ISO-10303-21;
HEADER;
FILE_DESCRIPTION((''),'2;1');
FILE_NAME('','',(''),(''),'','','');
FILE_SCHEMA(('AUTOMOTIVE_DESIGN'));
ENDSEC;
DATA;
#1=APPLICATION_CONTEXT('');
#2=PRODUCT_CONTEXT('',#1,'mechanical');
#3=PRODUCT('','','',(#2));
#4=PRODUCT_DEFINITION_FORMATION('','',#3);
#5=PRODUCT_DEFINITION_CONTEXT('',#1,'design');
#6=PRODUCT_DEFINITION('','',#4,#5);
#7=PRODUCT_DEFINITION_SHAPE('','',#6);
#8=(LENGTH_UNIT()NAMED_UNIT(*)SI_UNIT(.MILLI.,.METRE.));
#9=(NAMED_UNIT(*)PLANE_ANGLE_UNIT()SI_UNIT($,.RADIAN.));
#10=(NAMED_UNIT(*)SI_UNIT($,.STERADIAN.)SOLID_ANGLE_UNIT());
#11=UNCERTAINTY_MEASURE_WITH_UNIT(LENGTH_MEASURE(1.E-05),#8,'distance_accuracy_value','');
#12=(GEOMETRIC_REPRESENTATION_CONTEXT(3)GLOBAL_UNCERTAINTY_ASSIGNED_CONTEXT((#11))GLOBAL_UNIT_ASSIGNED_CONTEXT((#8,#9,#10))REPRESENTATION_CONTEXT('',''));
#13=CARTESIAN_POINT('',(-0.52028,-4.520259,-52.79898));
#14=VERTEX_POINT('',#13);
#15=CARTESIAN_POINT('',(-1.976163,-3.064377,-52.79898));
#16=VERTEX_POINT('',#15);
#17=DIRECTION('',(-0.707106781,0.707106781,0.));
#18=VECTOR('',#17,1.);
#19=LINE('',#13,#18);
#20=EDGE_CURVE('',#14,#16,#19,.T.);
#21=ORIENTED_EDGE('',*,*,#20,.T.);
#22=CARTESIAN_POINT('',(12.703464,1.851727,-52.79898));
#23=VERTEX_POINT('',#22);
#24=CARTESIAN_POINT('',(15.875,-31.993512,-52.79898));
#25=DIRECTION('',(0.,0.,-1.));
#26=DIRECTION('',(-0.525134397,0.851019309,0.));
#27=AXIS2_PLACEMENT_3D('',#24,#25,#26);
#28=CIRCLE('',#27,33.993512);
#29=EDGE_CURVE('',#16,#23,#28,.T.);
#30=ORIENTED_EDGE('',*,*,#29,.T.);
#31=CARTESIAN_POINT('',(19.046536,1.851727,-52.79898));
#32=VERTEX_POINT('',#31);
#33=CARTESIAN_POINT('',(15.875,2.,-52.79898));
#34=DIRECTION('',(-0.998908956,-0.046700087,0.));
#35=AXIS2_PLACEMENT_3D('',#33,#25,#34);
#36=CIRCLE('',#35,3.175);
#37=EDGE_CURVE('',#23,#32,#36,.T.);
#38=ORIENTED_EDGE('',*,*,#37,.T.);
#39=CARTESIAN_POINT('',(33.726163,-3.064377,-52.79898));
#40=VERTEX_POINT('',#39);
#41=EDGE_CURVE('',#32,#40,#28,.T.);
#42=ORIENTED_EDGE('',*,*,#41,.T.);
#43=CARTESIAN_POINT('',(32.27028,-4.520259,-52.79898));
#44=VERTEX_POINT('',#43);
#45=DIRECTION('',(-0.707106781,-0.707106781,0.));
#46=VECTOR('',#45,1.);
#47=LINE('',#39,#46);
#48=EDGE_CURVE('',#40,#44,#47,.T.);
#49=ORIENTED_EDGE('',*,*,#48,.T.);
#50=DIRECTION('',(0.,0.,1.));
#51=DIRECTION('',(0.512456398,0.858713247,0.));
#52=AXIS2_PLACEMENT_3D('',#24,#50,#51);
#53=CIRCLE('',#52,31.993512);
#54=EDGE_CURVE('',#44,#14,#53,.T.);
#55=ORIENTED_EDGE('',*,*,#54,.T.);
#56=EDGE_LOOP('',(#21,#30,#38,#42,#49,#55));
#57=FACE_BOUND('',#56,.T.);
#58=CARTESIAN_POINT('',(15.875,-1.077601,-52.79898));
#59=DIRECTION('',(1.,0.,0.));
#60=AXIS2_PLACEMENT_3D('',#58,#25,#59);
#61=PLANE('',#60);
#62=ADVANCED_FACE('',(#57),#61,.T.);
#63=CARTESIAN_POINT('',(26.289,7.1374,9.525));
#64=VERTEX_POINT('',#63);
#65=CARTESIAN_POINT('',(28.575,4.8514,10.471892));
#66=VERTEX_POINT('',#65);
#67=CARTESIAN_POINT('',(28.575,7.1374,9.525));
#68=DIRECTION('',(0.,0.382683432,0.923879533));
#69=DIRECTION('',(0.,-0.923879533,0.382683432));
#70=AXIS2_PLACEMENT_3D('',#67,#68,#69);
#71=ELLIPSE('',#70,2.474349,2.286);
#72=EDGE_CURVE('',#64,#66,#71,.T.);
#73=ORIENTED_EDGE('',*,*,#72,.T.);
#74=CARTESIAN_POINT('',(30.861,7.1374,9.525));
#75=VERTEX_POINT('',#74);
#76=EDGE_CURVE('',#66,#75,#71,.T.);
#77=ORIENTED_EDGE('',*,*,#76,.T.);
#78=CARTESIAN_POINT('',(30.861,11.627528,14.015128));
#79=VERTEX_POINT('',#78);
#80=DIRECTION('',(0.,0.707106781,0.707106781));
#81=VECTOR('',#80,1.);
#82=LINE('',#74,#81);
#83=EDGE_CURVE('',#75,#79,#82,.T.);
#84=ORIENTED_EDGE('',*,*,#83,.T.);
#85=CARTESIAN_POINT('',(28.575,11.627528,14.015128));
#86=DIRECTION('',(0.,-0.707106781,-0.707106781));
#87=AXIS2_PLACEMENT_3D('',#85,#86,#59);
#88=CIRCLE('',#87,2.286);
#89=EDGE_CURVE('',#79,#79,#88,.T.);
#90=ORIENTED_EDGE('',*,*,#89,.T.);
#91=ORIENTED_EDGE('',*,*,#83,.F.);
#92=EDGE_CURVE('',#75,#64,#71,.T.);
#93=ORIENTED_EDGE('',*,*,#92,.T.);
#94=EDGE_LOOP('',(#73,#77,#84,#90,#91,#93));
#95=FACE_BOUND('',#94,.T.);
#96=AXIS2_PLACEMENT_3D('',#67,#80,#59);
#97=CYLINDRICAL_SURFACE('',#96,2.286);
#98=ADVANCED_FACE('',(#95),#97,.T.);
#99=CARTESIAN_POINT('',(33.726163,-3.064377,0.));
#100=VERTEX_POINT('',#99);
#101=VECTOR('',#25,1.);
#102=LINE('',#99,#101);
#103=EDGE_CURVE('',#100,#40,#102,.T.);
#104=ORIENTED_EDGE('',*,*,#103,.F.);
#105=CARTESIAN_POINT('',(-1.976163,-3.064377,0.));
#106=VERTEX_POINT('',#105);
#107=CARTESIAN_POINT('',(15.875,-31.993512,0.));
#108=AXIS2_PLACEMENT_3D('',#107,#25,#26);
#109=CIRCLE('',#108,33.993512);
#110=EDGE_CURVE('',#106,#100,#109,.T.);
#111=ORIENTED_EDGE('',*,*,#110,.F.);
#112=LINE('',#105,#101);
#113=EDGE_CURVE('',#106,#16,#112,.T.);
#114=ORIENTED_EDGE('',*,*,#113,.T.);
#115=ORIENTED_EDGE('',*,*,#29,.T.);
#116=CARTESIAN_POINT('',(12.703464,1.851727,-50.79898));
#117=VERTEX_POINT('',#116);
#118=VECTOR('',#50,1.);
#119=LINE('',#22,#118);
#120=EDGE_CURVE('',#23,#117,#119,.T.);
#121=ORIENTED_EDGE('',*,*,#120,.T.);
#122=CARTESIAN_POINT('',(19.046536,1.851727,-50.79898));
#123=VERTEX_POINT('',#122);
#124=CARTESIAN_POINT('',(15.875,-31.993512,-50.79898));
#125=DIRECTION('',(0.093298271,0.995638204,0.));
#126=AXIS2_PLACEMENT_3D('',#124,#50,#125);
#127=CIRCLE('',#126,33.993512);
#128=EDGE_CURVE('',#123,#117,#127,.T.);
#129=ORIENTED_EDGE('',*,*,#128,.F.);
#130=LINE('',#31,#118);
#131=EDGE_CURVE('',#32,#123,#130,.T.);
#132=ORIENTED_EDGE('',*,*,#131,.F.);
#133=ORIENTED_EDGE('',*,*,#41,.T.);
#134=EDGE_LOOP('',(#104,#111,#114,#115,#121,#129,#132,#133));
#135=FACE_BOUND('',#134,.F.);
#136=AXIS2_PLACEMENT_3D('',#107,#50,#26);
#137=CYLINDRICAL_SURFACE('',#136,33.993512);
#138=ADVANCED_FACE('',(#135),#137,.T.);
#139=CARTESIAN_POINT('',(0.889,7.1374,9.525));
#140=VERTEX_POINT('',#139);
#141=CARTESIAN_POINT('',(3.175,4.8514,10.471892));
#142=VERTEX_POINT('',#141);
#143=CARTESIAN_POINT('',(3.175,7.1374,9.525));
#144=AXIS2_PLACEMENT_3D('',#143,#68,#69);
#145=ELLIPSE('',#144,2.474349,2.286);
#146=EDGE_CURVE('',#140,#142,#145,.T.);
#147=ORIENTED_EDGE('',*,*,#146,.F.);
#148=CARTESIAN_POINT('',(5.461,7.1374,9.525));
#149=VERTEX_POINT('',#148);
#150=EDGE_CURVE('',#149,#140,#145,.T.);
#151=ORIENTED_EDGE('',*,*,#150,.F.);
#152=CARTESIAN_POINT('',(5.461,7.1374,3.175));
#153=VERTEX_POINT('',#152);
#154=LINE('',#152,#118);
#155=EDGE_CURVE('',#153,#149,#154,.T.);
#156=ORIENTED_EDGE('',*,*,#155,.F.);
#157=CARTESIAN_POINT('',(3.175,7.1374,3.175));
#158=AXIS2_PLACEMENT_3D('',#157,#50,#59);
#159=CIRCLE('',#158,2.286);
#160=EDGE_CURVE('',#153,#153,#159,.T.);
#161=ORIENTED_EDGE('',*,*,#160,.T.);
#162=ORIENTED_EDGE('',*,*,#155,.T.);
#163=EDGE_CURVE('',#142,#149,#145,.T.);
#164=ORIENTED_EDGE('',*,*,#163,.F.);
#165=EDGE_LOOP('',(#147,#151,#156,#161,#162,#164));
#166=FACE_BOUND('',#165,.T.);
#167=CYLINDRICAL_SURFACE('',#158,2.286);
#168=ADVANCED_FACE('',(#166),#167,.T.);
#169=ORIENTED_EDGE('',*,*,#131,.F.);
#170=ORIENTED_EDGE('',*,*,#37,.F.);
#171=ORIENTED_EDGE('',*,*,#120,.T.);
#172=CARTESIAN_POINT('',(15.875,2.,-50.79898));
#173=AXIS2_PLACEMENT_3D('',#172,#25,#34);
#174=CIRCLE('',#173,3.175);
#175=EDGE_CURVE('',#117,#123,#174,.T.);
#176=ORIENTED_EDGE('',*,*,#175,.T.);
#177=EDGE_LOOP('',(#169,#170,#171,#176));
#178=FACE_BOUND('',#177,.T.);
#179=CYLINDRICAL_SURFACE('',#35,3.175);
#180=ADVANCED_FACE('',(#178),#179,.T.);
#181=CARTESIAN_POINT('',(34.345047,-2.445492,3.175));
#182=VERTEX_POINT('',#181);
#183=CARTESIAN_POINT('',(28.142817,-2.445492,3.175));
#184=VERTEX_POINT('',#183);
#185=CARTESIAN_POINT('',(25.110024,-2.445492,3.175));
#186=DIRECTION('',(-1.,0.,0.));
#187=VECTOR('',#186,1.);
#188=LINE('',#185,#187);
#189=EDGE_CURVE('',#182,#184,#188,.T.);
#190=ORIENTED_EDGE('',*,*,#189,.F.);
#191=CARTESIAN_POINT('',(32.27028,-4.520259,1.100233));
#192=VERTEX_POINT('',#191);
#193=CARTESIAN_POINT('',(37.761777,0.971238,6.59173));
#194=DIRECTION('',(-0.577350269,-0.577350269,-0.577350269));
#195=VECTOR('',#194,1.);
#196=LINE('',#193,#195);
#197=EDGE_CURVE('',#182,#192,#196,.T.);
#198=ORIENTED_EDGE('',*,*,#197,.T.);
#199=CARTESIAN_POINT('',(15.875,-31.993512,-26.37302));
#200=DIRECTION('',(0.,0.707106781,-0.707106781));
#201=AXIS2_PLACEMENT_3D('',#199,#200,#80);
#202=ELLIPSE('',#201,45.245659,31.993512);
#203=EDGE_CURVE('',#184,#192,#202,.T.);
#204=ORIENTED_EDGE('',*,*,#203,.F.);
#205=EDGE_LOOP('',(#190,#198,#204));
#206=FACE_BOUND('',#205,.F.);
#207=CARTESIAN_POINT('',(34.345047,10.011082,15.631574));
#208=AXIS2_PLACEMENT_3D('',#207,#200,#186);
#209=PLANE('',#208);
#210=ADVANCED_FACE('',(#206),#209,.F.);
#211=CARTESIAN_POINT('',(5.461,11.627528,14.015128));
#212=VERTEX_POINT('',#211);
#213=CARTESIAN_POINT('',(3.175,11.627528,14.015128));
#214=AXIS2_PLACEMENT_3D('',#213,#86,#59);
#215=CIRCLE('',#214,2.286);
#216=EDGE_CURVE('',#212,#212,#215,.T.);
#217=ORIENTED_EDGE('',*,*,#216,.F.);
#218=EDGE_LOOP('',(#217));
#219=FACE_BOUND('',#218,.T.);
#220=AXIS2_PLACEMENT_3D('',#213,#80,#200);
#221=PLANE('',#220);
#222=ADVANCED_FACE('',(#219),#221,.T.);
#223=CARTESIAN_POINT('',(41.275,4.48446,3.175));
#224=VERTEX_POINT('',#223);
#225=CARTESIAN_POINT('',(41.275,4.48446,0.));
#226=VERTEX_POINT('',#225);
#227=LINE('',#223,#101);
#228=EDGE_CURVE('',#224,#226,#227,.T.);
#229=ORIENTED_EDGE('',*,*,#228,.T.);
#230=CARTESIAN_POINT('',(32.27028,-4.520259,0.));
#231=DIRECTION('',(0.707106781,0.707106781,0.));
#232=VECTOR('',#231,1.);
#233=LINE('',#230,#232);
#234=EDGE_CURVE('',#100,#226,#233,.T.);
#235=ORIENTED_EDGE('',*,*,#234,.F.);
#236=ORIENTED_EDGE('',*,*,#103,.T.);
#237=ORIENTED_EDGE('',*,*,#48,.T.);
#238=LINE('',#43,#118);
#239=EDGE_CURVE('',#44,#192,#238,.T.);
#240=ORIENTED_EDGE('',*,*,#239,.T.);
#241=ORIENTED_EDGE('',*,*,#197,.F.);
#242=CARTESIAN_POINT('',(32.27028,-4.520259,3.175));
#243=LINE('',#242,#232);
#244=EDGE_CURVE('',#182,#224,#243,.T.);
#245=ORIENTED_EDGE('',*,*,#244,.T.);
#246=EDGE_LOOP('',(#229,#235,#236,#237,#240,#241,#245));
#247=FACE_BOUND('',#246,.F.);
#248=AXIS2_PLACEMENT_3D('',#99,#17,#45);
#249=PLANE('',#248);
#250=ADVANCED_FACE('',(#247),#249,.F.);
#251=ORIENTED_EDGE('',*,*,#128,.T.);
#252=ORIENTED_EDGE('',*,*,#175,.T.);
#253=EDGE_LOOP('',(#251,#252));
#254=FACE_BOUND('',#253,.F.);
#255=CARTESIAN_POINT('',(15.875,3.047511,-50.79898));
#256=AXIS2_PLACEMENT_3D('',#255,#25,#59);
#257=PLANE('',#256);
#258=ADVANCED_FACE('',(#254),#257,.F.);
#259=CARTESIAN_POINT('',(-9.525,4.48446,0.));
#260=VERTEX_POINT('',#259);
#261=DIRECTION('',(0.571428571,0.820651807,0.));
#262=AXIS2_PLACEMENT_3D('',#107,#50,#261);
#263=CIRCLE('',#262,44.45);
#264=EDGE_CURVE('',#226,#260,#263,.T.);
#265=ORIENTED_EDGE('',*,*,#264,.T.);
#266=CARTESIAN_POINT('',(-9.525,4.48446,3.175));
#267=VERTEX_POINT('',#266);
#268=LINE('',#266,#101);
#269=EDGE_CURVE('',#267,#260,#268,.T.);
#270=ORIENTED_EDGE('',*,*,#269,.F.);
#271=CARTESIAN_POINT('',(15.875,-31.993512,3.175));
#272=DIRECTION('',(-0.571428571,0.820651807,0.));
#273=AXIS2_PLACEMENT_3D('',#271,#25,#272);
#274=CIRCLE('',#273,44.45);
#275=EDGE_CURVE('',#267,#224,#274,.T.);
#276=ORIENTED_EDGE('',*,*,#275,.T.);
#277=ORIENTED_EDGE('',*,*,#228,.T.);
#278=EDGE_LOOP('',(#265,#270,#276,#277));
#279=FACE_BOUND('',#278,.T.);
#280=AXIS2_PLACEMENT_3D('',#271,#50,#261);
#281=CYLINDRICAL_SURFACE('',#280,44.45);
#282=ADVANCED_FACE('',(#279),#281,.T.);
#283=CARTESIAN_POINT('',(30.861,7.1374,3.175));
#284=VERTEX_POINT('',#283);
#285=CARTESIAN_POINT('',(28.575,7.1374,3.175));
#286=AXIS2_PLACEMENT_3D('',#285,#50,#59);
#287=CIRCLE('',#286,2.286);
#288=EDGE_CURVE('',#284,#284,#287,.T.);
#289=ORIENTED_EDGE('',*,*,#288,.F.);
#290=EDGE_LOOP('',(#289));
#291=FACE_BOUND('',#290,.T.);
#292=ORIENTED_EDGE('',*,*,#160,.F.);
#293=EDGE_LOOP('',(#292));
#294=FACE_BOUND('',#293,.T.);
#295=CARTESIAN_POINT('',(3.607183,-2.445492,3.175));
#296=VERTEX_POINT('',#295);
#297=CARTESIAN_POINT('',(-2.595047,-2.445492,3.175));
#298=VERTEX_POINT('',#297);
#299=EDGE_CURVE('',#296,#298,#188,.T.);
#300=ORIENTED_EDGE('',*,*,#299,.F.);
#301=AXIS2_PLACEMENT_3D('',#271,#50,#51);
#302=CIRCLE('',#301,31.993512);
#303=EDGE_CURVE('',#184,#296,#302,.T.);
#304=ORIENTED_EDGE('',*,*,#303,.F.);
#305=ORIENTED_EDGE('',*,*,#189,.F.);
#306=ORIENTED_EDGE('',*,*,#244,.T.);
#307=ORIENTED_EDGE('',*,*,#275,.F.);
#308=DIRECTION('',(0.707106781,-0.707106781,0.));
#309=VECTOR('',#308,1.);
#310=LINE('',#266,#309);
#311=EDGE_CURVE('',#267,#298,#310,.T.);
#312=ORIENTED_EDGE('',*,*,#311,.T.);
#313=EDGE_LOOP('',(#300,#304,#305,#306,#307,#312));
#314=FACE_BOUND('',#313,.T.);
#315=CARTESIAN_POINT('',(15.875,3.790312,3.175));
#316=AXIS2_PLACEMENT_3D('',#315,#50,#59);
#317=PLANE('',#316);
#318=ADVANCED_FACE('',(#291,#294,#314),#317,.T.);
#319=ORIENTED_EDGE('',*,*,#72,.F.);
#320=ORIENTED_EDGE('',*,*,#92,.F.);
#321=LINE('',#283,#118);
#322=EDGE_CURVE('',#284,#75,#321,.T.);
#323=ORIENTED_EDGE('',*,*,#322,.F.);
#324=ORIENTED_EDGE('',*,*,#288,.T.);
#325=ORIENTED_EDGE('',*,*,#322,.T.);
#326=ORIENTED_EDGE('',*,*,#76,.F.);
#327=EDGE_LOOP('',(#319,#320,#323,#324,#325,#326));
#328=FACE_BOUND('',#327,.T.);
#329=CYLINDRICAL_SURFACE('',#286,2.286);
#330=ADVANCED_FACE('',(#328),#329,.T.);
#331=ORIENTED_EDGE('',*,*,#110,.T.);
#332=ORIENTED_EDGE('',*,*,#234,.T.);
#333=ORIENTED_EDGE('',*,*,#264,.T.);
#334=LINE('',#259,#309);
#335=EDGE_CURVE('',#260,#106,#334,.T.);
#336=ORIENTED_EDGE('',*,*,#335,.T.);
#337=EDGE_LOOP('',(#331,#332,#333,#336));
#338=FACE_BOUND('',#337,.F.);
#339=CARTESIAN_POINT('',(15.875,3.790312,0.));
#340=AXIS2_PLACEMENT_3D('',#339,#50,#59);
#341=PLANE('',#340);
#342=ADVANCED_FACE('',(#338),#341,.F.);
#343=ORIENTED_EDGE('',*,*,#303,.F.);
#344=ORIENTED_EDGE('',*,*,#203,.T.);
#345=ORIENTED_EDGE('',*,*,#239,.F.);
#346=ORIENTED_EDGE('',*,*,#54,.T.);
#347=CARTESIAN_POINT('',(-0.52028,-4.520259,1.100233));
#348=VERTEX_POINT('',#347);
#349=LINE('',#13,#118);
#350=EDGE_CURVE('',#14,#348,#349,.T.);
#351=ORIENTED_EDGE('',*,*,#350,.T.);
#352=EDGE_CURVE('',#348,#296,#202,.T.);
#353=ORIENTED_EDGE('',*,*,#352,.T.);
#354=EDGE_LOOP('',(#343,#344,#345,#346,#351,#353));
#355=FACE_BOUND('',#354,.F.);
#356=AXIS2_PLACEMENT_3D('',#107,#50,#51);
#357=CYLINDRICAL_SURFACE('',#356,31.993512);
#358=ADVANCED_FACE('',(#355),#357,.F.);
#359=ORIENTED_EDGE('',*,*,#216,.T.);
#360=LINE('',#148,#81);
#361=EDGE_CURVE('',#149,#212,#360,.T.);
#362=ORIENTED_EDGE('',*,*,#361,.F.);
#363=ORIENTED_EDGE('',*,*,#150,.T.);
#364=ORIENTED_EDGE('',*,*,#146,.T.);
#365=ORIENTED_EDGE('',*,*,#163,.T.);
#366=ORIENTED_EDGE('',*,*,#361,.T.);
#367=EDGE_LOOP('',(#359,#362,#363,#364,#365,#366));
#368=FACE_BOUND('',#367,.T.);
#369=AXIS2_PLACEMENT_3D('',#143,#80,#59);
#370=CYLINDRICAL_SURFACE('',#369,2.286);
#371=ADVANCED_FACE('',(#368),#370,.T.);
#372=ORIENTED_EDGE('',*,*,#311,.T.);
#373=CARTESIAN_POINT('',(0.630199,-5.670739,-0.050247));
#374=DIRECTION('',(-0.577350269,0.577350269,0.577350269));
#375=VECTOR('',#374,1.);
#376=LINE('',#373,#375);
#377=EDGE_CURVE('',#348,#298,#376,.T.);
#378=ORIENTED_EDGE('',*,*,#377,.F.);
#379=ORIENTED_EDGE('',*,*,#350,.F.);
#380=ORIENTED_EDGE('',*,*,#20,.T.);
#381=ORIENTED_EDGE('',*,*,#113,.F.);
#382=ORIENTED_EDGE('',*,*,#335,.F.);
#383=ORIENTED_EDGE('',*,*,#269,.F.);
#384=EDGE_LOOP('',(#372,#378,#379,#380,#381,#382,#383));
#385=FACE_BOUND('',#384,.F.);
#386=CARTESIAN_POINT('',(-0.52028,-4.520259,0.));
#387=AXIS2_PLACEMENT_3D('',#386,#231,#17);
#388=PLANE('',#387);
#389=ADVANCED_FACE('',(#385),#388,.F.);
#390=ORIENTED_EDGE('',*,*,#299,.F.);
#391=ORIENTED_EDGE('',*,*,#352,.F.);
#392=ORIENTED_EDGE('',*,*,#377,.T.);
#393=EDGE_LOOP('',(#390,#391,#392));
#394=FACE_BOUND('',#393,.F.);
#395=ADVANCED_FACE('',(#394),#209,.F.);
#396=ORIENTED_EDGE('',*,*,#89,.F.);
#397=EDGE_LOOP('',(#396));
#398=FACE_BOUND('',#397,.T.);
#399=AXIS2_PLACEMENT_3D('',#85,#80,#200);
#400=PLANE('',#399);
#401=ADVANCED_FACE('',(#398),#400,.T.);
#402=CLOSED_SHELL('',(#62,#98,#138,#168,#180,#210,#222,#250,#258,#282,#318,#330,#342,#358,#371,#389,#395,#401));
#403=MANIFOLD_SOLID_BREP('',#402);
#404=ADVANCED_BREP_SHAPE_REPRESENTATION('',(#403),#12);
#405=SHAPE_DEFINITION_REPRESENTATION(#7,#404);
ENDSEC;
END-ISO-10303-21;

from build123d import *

# Parameters (mm, degrees)
F0_W      = 31.75
F0_H      = 9.525
F1_DEPTH  = 3.175
F4_R      = 2.286
F8_R      = 2.286
F11_DEPTH = 3.175
F13_DEPTH = 52.79898
F15_DEPTH = 25.4
F17_DEPTH = 2


with BuildPart() as f1:
    # F0 (on Top) → F1 (new body)
    with BuildSketch(Plane.XY):
        with Locations((15.875, 4.7625)):
            Rectangle(F0_W, F0_H)
    extrude(amount=F1_DEPTH)

    # F5: sweep along a path in F3
    with BuildLine(Plane.YZ.offset(28.575)) as f5_path:
        Line((7.1374, 3.175), (7.1374, 9.525))
        Line((7.1374, 9.525), (11.6275280605, 14.0151280605))
    # F4 (on face) → F5 (sweep)
    with BuildSketch(Plane.XY.offset(3.175)):
        with Locations((28.575, 7.1374)):
            Circle(F4_R)
    sweep(path=f5_path.line, transition=Transition.RIGHT)

    # F9: sweep along a path in F7
    with BuildLine(Plane.YZ.offset(3.175)) as f9_path:
        Line((7.1374, 3.175), (7.1374, 9.525))
        Line((7.1374, 9.525), (11.6275280605, 14.0151280605))
    # F8 (on face) → F9 (sweep)
    with BuildSketch(Plane.XY.offset(3.175)):
        with Locations((3.175, 7.1374)):
            Circle(F8_R)
    sweep(path=f9_path.line, transition=Transition.RIGHT)

    # F10 (on face) → F11 (join, through all)
    with BuildSketch(Plane.XY.offset(3.175)):
        with BuildLine():
            Line((32.2702801376, -4.5202594941), (41.275, 4.4844603683))
            ThreePointArc((41.275, 4.4844603683), (15.875, 12.4564875628), (-9.525, 4.4844603683))
            Line((-9.525, 4.4844603683), (-0.5202801376, -4.5202594941))
            ThreePointArc((-0.5202801376, -4.5202594941), (15.875, 0), (32.2702801376, -4.5202594941))
        make_face()
    extrude(amount=-F11_DEPTH)

    # F12 (on face) → F13 (join)
    with BuildSketch(Plane(origin=(0, 0, 0), x_dir=(1, 0, 0), z_dir=(0, 0, -1))):
        with BuildLine():
            Line((-0.5202801376, 4.5202594941), (-1.9761626677, 3.064376964))
            ThreePointArc((-1.9761626677, 3.064376964), (15.875, -2), (33.7261626677, 3.064376964))
            Line((33.7261626677, 3.064376964), (32.2702801376, 4.5202594941))
            ThreePointArc((32.2702801376, 4.5202594941), (15.875, 0), (-0.5202801376, 4.5202594941))
        make_face()
    extrude(amount=F13_DEPTH)

    # F14 (on face) → F15 (cut)
    with BuildSketch(Plane(origin=(0, 12.8213280605, 12.8213280605), x_dir=(1, 0, 0), z_dir=(0, 0.7071067812, 0.7071067812))):
        Polygon((3.175, -3.9742881508), (-2.5950474281, -3.9742881508), (-2.5950474281, -10.2548293379), (34.3450474281, -10.2548293379), (34.3450474281, -3.9742881508), align=None)
    extrude(amount=-F15_DEPTH, mode=Mode.SUBTRACT)

    # F16 (on face) → F17 (join)
    with BuildSketch(Plane(origin=(0, 0, -52.79898), x_dir=(1, 0, 0), z_dir=(0, 0, -1))):
        with BuildLine():
            ThreePointArc((19.0465359344, -1.8517272227), (15.875, -2), (12.7034640656, -1.8517272227))
            ThreePointArc((12.7034640656, -1.8517272227), (15.875, -5.175), (19.0465359344, -1.8517272227))
        make_face()
    extrude(amount=-F17_DEPTH)


solid = f1.part
